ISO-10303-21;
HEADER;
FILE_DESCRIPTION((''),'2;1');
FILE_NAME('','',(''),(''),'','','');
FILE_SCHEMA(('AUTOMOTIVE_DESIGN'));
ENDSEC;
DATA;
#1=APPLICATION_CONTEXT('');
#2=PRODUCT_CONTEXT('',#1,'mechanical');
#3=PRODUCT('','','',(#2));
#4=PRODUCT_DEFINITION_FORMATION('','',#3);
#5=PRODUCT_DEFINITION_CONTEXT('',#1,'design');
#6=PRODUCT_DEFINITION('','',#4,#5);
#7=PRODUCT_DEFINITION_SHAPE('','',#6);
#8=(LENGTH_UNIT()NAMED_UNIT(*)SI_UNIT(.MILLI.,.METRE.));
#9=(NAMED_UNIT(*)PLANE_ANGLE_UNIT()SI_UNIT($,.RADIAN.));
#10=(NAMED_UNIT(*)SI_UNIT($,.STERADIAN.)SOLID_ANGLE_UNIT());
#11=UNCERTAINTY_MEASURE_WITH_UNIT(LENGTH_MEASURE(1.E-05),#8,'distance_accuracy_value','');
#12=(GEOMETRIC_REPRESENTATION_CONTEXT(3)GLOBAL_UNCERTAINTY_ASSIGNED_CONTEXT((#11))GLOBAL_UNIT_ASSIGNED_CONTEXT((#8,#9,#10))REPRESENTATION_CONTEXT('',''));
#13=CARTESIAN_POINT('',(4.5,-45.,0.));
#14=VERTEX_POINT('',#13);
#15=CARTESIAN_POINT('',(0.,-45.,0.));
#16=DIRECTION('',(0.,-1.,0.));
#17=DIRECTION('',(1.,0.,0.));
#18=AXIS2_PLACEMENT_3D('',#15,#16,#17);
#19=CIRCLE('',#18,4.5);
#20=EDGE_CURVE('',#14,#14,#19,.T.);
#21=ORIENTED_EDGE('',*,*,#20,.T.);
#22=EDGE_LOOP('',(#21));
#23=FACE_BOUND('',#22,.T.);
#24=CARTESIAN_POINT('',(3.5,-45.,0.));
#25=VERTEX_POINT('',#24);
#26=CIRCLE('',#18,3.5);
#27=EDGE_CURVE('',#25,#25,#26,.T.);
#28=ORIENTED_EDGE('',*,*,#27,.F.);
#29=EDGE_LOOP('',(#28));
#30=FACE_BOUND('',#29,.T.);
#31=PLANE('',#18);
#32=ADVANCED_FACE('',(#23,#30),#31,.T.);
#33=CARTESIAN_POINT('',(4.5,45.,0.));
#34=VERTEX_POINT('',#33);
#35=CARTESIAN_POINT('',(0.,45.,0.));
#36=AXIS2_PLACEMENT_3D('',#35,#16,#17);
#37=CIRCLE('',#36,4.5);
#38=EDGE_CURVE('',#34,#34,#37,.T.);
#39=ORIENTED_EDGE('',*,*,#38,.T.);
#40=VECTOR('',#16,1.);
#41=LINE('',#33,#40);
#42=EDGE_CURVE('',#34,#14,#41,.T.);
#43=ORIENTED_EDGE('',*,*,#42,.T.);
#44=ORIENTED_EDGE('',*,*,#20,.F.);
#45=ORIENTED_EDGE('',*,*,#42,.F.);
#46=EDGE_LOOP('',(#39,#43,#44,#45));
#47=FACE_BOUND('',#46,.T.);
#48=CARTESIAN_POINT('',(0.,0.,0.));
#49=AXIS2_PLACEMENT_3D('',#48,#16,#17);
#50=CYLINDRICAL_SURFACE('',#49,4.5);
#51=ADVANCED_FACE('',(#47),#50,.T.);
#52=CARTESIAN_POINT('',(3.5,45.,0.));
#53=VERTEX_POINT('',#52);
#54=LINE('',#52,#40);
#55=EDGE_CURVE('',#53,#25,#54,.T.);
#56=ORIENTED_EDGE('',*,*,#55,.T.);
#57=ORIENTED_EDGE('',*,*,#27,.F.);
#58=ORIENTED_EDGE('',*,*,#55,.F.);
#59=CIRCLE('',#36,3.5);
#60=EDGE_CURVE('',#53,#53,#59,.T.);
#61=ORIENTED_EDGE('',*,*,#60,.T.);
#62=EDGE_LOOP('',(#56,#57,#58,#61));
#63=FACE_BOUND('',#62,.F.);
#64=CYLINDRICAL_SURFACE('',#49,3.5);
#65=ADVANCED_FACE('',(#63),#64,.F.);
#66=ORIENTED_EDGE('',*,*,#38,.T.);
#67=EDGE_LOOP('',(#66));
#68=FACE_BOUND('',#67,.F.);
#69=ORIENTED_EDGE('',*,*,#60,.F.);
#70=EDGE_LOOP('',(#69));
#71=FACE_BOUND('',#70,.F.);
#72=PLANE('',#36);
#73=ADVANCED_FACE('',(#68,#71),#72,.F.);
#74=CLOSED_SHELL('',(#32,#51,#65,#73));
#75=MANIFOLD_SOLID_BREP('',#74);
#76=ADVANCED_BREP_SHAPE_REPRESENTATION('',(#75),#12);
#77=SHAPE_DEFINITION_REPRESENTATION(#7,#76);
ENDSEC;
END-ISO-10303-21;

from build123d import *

# Parameters (mm, degrees)
F0_R     = 4.5
F1_DEPTH = 45
F2_T     = -1


with BuildPart() as f1:
    # F0 (on Front) → F1 (new body, symmetric)
    with BuildSketch(Plane.XZ):
        Circle(F0_R)
    extrude(amount=F1_DEPTH, both=True)

    # F2
    f2_openings = [f1.faces().sort_by_distance(p)[0] for p in [
        (0, -45, 0),
        (0, 45, 0),
    ]]
    offset(amount=F2_T, openings=f2_openings)


solid = f1.part
